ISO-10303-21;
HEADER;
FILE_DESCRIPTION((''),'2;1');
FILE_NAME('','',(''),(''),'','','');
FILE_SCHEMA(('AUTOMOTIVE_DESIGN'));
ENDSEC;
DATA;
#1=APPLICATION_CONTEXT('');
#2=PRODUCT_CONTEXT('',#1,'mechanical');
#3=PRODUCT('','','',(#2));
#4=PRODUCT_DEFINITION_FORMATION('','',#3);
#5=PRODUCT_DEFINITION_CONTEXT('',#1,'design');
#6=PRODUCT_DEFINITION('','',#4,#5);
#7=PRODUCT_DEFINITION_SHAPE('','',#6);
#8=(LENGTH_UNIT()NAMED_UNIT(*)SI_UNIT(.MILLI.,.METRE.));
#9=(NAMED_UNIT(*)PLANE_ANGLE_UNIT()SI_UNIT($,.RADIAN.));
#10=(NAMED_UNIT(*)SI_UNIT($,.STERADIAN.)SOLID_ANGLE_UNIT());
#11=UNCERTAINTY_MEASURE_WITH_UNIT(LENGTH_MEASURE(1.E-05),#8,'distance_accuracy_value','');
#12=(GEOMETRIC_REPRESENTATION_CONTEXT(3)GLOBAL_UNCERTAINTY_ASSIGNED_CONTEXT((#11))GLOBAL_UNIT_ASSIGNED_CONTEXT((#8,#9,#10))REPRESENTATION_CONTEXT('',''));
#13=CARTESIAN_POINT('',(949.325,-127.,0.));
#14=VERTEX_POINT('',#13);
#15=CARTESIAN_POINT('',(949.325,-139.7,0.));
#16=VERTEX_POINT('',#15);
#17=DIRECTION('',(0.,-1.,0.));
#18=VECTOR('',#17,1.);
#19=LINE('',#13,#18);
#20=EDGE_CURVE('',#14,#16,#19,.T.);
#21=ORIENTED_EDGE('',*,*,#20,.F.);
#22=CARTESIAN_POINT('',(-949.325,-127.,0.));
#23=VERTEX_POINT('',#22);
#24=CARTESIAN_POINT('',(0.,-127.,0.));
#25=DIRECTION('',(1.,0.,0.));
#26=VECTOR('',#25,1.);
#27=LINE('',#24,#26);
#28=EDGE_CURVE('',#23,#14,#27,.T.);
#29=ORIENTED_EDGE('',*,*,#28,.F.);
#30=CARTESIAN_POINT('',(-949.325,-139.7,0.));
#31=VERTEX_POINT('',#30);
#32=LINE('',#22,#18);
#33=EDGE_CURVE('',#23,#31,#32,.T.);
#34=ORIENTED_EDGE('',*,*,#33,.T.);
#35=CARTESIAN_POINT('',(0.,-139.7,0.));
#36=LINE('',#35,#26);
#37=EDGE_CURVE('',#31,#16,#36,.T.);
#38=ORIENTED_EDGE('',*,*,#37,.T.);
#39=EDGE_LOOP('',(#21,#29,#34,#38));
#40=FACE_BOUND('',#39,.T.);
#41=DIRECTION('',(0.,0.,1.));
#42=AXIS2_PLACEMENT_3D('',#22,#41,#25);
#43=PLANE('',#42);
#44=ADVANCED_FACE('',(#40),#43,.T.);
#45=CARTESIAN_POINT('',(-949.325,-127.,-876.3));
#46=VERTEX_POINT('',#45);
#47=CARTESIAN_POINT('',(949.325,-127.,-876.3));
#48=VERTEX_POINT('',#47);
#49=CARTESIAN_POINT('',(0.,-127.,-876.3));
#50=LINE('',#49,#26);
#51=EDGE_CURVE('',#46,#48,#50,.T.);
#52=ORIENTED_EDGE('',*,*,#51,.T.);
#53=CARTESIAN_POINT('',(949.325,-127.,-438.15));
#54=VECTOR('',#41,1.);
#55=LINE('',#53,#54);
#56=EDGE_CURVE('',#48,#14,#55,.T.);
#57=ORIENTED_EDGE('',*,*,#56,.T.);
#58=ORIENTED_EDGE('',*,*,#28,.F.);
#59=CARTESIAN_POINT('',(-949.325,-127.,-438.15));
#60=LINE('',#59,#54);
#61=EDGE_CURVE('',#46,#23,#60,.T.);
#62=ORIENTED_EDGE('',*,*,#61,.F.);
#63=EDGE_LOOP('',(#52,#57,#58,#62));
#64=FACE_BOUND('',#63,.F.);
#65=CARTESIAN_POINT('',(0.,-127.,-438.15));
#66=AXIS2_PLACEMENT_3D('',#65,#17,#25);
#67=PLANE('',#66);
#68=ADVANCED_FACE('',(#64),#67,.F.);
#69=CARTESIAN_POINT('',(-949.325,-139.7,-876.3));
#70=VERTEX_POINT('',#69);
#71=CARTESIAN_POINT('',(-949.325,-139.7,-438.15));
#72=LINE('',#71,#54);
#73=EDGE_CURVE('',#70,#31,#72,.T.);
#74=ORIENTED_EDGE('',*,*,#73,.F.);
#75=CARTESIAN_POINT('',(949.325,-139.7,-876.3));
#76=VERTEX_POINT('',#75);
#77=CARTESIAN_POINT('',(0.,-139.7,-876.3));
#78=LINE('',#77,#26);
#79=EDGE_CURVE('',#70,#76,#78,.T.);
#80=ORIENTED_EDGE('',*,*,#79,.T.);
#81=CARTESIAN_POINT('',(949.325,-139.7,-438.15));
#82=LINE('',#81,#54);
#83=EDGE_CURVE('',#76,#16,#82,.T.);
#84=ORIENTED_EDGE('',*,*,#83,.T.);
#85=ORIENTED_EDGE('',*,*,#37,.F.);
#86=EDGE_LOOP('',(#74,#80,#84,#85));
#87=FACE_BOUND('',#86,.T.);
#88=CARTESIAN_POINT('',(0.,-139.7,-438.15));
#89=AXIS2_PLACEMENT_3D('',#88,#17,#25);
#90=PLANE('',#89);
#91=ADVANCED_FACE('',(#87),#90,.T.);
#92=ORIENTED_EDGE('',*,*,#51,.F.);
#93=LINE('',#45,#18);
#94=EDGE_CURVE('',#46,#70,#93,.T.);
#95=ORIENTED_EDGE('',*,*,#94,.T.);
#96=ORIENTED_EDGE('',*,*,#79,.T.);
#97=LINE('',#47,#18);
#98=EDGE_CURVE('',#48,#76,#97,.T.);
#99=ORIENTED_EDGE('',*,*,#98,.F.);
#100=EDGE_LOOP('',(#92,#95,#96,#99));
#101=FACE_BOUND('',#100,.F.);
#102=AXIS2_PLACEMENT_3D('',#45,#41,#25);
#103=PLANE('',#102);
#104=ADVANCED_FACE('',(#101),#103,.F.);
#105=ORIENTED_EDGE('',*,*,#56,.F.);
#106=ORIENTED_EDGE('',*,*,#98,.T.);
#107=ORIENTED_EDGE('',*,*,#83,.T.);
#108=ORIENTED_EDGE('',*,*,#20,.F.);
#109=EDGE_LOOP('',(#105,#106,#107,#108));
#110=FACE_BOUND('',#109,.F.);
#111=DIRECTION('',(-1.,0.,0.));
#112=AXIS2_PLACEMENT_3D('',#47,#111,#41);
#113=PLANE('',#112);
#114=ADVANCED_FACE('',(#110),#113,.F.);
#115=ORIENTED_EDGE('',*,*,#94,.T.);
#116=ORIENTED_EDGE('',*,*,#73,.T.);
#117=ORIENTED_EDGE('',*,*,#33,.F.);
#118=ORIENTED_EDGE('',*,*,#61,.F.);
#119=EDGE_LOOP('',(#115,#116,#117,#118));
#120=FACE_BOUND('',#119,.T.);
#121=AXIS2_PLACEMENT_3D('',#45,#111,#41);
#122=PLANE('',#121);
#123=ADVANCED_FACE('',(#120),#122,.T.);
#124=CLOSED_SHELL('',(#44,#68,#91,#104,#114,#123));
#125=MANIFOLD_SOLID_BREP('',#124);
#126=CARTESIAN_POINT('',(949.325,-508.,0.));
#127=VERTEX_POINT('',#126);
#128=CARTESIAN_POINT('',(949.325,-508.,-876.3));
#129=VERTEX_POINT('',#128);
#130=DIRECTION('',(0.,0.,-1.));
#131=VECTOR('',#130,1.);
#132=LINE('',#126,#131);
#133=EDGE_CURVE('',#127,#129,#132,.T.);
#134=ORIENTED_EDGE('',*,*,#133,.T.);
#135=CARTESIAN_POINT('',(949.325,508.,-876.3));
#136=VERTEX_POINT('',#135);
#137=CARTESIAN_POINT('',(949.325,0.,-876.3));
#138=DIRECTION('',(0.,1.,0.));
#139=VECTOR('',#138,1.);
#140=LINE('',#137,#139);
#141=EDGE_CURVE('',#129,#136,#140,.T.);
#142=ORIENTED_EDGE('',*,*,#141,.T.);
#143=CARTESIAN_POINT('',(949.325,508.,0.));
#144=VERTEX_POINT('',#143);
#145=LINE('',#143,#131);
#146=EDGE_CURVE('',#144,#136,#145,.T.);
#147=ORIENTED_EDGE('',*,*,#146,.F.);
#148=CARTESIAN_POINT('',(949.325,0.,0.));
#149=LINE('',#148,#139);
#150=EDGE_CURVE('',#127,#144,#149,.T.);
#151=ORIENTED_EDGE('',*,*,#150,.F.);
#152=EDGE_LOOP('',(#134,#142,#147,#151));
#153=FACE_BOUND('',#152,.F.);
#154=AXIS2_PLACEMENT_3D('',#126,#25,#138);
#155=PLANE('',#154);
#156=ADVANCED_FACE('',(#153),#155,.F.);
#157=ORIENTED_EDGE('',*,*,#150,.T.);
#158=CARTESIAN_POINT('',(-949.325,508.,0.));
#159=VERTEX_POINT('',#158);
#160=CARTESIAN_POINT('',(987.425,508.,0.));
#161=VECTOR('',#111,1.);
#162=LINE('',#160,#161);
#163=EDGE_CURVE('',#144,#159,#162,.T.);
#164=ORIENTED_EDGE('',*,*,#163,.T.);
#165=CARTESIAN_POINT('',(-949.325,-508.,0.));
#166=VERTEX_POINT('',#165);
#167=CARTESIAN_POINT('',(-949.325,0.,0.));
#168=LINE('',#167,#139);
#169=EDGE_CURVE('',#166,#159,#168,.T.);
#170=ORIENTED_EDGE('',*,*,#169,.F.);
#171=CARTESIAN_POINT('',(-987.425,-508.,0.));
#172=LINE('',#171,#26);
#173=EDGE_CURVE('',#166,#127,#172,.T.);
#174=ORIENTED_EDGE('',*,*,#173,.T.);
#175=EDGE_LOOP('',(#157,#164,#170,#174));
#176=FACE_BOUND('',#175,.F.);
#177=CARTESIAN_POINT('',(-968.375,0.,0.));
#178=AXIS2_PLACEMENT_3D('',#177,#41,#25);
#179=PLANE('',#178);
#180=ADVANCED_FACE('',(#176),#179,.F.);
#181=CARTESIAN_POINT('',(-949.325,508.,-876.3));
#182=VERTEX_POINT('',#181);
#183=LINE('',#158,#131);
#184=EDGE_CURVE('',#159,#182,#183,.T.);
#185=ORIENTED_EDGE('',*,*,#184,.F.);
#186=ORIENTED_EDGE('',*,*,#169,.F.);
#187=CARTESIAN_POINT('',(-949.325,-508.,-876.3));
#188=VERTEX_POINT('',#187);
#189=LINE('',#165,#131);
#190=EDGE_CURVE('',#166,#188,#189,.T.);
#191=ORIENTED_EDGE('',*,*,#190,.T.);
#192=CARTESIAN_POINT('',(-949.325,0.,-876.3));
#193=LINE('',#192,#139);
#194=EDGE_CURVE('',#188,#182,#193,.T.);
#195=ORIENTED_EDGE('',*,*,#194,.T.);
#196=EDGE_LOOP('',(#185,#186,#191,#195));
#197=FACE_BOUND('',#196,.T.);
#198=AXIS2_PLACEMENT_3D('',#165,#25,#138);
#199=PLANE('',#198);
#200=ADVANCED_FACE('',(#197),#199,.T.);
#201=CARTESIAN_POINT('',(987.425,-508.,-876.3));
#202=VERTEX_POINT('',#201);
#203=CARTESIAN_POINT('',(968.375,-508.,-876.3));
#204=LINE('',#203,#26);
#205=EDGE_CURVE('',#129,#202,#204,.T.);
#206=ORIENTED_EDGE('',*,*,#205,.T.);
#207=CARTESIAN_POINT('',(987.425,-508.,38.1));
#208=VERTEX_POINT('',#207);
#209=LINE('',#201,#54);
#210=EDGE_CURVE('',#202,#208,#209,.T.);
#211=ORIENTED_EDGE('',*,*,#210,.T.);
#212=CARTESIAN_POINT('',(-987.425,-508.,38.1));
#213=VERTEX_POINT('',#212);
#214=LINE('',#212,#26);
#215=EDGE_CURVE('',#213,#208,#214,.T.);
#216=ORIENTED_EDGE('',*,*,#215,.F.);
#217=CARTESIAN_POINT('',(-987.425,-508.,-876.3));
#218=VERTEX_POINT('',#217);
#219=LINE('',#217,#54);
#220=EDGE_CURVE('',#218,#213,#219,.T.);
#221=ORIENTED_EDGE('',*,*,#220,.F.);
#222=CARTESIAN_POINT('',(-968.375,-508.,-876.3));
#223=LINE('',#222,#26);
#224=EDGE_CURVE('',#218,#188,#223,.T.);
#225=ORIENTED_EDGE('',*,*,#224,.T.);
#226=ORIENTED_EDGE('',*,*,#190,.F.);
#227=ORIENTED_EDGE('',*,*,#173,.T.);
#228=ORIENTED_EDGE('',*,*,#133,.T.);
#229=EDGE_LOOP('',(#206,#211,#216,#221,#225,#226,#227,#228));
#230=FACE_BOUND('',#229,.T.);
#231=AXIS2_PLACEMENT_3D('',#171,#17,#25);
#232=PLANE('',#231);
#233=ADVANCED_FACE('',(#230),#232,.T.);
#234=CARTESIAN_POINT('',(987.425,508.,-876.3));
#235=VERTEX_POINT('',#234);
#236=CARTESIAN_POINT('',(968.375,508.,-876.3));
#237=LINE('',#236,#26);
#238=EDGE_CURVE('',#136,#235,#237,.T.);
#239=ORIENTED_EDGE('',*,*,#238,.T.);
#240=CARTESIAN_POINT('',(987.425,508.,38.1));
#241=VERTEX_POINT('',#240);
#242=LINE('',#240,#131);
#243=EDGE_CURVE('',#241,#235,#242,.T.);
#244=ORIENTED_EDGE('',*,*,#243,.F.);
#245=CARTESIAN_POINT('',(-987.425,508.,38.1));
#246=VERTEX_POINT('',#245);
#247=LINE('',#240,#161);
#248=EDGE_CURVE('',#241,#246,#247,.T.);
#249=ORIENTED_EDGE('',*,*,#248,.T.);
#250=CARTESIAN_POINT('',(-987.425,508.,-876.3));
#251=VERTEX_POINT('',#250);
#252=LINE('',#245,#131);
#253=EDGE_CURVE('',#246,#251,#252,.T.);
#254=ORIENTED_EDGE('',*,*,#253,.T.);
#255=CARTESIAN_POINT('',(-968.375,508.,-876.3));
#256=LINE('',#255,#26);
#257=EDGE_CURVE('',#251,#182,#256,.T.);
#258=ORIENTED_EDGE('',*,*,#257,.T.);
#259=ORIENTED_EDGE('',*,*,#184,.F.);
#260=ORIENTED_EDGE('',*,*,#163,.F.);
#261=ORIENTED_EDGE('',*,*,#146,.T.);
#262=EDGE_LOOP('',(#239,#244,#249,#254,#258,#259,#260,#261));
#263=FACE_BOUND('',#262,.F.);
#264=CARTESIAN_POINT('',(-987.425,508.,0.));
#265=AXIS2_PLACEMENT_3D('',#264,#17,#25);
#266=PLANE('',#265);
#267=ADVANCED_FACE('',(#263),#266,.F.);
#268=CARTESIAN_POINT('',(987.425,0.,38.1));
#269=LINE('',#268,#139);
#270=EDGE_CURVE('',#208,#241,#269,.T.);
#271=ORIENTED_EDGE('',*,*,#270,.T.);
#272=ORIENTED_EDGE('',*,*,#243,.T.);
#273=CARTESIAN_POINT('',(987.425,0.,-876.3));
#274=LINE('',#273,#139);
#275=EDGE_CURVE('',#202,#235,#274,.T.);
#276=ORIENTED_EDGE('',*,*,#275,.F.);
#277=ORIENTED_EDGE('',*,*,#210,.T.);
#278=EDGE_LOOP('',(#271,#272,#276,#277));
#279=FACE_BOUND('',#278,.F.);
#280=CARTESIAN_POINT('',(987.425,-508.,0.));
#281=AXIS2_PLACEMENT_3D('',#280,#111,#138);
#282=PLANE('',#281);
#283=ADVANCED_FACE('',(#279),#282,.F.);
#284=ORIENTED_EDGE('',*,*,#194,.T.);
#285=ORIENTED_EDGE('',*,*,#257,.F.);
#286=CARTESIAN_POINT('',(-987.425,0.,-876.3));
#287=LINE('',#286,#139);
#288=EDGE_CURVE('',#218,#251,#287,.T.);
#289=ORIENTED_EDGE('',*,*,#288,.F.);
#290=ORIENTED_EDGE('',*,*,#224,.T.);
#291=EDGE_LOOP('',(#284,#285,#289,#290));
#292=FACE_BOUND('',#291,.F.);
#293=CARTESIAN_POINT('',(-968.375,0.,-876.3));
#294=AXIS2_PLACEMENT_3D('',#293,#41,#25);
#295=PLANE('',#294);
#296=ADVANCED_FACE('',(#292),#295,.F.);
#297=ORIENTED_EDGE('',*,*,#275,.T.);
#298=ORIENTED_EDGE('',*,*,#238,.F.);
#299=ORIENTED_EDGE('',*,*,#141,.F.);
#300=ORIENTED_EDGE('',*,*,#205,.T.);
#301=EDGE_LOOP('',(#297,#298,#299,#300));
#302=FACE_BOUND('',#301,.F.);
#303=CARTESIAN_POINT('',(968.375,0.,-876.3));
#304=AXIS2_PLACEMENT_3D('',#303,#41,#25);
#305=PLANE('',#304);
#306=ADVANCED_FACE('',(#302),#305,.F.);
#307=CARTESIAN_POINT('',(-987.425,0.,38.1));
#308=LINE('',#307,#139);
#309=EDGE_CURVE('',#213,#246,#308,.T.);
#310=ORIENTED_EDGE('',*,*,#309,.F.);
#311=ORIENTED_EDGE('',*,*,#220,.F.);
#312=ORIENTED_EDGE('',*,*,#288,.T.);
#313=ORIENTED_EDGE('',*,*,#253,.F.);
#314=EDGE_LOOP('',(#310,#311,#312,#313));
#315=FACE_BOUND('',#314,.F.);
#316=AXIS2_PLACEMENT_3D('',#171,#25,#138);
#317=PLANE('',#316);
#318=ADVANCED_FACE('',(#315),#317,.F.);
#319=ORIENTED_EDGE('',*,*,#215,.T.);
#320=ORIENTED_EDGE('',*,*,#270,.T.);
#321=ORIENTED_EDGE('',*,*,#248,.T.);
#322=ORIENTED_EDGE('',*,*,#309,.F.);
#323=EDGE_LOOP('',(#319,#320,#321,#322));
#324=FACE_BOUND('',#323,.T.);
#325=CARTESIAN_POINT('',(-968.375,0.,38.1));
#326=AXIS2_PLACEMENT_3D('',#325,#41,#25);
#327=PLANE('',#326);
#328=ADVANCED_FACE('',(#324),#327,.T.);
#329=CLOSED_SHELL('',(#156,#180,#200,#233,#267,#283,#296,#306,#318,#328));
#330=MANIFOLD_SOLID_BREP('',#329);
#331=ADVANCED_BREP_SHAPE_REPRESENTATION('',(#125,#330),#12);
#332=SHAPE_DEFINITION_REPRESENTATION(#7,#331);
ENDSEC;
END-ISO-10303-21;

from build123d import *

# Parameters (mm, degrees)
F0_W     = 38.1
F0_H     = 1016
F0_W_2   = 1898.65
F1_DEPTH = 38.1
F2_DEPTH = 876.3
F4_W     = 1898.65
F4_H     = 876.3
F5_DEPTH = 12.7


with BuildPart() as f1:
    # F0 (on Top) → F1 (new body)
    with BuildSketch(Plane.XY):
        with Locations((-968.375, 0)):
            Rectangle(F0_W, F0_H)
        Rectangle(F0_W_2, F0_H)
        with Locations((968.375, 0)):
            Rectangle(F0_W, F0_H)
    extrude(amount=F1_DEPTH)

    # F0 (on Top) → F2 (join)
    with BuildSketch(Plane.XY):
        with Locations((-968.375, 0)):
            Rectangle(F0_W, F0_H)
        with Locations((968.375, 0)):
            Rectangle(F0_W, F0_H)
    extrude(amount=-F2_DEPTH)


with BuildPart() as f5:
    # F4 (on offset) → F5 (new body)
    with BuildSketch(Plane.XZ.offset(127)):
        with Locations((0, -438.15)):
            Rectangle(F4_W, F4_H)
    extrude(amount=F5_DEPTH)


solid = Compound([f1.part, f5.part])
